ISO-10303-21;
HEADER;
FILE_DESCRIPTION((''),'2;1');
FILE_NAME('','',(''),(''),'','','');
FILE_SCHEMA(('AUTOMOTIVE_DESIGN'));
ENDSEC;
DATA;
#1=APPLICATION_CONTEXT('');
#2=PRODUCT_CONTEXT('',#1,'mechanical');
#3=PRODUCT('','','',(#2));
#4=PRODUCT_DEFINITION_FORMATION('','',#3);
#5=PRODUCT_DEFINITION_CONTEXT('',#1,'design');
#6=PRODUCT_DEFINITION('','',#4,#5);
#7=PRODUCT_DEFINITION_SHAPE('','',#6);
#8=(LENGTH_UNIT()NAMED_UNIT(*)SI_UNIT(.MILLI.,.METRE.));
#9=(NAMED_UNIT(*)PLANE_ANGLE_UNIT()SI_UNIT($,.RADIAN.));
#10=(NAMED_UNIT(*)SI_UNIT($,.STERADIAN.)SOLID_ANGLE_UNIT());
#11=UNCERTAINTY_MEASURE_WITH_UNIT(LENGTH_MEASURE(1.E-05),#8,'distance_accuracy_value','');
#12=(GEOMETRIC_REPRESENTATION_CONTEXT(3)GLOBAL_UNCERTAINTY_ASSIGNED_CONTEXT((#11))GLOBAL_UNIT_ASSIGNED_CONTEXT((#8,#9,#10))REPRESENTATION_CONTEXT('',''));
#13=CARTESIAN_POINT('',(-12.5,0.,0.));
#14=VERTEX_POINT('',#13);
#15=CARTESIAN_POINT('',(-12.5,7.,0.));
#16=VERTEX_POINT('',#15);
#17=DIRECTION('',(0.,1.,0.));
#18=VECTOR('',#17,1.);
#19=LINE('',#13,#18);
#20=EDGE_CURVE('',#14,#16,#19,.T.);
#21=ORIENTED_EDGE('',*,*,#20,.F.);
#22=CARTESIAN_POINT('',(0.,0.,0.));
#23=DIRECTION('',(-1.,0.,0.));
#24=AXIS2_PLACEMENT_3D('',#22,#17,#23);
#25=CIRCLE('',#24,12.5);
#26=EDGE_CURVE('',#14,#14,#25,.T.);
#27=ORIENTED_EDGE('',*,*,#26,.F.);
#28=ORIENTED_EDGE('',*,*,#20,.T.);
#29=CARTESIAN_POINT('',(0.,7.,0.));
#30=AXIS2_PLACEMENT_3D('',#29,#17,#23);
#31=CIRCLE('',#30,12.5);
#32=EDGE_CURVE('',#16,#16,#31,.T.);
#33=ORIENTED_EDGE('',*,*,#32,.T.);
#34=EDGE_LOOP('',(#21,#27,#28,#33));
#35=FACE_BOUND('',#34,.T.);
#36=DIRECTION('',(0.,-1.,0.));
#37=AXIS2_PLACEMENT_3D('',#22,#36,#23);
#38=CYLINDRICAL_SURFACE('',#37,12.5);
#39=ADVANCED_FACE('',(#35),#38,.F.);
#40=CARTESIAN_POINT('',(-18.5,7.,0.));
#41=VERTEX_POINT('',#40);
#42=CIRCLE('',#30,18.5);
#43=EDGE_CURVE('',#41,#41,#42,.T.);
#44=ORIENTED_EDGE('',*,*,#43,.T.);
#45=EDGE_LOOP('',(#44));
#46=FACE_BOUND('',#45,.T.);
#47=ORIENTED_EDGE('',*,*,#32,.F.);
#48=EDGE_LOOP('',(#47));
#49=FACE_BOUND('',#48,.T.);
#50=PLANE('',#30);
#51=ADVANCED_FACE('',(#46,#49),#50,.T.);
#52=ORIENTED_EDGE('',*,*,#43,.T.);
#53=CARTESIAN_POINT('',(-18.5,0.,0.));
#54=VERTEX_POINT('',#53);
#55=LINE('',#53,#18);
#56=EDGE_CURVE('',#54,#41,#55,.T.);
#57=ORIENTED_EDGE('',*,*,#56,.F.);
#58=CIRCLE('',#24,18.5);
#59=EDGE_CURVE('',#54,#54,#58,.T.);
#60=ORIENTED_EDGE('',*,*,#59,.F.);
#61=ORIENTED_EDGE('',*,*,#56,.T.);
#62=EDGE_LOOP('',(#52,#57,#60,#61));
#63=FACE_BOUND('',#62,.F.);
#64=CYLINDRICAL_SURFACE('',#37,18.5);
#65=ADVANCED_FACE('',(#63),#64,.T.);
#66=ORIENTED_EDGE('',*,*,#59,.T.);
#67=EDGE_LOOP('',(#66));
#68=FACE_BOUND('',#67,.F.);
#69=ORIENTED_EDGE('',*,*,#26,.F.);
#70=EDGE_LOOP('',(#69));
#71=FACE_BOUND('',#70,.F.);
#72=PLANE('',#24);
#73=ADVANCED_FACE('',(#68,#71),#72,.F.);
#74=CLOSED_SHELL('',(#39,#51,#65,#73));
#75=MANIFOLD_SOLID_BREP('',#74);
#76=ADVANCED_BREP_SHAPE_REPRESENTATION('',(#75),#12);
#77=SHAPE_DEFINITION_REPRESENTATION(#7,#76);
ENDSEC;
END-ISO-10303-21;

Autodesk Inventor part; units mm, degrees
ref_plane "YZ Plane" through (0, 0, 0) normal (1, 0, 0) x (0, 1, 0)
ref_plane "XZ Plane" through (0, 0, 0) normal (0, 1, 0) x (-1, 0, 0)
ref_plane "XY Plane" through (0, 0, 0) normal (0, 0, 1) x (1, 0, 0)
sketch "Эскиз1" plane through (0, 0, 0) normal (0, 1, 0) x (-1, 0, 0)
  circle A0 centre (0, 0) radius 18.5
  circle A1 centre (0, 0) radius 12.5
  dimension "d0" = 37
  dimension "d1" = 6
extrude "Выдавливание1" add sketch "Эскиз1" along normal blind 7
properties part number "подш"
